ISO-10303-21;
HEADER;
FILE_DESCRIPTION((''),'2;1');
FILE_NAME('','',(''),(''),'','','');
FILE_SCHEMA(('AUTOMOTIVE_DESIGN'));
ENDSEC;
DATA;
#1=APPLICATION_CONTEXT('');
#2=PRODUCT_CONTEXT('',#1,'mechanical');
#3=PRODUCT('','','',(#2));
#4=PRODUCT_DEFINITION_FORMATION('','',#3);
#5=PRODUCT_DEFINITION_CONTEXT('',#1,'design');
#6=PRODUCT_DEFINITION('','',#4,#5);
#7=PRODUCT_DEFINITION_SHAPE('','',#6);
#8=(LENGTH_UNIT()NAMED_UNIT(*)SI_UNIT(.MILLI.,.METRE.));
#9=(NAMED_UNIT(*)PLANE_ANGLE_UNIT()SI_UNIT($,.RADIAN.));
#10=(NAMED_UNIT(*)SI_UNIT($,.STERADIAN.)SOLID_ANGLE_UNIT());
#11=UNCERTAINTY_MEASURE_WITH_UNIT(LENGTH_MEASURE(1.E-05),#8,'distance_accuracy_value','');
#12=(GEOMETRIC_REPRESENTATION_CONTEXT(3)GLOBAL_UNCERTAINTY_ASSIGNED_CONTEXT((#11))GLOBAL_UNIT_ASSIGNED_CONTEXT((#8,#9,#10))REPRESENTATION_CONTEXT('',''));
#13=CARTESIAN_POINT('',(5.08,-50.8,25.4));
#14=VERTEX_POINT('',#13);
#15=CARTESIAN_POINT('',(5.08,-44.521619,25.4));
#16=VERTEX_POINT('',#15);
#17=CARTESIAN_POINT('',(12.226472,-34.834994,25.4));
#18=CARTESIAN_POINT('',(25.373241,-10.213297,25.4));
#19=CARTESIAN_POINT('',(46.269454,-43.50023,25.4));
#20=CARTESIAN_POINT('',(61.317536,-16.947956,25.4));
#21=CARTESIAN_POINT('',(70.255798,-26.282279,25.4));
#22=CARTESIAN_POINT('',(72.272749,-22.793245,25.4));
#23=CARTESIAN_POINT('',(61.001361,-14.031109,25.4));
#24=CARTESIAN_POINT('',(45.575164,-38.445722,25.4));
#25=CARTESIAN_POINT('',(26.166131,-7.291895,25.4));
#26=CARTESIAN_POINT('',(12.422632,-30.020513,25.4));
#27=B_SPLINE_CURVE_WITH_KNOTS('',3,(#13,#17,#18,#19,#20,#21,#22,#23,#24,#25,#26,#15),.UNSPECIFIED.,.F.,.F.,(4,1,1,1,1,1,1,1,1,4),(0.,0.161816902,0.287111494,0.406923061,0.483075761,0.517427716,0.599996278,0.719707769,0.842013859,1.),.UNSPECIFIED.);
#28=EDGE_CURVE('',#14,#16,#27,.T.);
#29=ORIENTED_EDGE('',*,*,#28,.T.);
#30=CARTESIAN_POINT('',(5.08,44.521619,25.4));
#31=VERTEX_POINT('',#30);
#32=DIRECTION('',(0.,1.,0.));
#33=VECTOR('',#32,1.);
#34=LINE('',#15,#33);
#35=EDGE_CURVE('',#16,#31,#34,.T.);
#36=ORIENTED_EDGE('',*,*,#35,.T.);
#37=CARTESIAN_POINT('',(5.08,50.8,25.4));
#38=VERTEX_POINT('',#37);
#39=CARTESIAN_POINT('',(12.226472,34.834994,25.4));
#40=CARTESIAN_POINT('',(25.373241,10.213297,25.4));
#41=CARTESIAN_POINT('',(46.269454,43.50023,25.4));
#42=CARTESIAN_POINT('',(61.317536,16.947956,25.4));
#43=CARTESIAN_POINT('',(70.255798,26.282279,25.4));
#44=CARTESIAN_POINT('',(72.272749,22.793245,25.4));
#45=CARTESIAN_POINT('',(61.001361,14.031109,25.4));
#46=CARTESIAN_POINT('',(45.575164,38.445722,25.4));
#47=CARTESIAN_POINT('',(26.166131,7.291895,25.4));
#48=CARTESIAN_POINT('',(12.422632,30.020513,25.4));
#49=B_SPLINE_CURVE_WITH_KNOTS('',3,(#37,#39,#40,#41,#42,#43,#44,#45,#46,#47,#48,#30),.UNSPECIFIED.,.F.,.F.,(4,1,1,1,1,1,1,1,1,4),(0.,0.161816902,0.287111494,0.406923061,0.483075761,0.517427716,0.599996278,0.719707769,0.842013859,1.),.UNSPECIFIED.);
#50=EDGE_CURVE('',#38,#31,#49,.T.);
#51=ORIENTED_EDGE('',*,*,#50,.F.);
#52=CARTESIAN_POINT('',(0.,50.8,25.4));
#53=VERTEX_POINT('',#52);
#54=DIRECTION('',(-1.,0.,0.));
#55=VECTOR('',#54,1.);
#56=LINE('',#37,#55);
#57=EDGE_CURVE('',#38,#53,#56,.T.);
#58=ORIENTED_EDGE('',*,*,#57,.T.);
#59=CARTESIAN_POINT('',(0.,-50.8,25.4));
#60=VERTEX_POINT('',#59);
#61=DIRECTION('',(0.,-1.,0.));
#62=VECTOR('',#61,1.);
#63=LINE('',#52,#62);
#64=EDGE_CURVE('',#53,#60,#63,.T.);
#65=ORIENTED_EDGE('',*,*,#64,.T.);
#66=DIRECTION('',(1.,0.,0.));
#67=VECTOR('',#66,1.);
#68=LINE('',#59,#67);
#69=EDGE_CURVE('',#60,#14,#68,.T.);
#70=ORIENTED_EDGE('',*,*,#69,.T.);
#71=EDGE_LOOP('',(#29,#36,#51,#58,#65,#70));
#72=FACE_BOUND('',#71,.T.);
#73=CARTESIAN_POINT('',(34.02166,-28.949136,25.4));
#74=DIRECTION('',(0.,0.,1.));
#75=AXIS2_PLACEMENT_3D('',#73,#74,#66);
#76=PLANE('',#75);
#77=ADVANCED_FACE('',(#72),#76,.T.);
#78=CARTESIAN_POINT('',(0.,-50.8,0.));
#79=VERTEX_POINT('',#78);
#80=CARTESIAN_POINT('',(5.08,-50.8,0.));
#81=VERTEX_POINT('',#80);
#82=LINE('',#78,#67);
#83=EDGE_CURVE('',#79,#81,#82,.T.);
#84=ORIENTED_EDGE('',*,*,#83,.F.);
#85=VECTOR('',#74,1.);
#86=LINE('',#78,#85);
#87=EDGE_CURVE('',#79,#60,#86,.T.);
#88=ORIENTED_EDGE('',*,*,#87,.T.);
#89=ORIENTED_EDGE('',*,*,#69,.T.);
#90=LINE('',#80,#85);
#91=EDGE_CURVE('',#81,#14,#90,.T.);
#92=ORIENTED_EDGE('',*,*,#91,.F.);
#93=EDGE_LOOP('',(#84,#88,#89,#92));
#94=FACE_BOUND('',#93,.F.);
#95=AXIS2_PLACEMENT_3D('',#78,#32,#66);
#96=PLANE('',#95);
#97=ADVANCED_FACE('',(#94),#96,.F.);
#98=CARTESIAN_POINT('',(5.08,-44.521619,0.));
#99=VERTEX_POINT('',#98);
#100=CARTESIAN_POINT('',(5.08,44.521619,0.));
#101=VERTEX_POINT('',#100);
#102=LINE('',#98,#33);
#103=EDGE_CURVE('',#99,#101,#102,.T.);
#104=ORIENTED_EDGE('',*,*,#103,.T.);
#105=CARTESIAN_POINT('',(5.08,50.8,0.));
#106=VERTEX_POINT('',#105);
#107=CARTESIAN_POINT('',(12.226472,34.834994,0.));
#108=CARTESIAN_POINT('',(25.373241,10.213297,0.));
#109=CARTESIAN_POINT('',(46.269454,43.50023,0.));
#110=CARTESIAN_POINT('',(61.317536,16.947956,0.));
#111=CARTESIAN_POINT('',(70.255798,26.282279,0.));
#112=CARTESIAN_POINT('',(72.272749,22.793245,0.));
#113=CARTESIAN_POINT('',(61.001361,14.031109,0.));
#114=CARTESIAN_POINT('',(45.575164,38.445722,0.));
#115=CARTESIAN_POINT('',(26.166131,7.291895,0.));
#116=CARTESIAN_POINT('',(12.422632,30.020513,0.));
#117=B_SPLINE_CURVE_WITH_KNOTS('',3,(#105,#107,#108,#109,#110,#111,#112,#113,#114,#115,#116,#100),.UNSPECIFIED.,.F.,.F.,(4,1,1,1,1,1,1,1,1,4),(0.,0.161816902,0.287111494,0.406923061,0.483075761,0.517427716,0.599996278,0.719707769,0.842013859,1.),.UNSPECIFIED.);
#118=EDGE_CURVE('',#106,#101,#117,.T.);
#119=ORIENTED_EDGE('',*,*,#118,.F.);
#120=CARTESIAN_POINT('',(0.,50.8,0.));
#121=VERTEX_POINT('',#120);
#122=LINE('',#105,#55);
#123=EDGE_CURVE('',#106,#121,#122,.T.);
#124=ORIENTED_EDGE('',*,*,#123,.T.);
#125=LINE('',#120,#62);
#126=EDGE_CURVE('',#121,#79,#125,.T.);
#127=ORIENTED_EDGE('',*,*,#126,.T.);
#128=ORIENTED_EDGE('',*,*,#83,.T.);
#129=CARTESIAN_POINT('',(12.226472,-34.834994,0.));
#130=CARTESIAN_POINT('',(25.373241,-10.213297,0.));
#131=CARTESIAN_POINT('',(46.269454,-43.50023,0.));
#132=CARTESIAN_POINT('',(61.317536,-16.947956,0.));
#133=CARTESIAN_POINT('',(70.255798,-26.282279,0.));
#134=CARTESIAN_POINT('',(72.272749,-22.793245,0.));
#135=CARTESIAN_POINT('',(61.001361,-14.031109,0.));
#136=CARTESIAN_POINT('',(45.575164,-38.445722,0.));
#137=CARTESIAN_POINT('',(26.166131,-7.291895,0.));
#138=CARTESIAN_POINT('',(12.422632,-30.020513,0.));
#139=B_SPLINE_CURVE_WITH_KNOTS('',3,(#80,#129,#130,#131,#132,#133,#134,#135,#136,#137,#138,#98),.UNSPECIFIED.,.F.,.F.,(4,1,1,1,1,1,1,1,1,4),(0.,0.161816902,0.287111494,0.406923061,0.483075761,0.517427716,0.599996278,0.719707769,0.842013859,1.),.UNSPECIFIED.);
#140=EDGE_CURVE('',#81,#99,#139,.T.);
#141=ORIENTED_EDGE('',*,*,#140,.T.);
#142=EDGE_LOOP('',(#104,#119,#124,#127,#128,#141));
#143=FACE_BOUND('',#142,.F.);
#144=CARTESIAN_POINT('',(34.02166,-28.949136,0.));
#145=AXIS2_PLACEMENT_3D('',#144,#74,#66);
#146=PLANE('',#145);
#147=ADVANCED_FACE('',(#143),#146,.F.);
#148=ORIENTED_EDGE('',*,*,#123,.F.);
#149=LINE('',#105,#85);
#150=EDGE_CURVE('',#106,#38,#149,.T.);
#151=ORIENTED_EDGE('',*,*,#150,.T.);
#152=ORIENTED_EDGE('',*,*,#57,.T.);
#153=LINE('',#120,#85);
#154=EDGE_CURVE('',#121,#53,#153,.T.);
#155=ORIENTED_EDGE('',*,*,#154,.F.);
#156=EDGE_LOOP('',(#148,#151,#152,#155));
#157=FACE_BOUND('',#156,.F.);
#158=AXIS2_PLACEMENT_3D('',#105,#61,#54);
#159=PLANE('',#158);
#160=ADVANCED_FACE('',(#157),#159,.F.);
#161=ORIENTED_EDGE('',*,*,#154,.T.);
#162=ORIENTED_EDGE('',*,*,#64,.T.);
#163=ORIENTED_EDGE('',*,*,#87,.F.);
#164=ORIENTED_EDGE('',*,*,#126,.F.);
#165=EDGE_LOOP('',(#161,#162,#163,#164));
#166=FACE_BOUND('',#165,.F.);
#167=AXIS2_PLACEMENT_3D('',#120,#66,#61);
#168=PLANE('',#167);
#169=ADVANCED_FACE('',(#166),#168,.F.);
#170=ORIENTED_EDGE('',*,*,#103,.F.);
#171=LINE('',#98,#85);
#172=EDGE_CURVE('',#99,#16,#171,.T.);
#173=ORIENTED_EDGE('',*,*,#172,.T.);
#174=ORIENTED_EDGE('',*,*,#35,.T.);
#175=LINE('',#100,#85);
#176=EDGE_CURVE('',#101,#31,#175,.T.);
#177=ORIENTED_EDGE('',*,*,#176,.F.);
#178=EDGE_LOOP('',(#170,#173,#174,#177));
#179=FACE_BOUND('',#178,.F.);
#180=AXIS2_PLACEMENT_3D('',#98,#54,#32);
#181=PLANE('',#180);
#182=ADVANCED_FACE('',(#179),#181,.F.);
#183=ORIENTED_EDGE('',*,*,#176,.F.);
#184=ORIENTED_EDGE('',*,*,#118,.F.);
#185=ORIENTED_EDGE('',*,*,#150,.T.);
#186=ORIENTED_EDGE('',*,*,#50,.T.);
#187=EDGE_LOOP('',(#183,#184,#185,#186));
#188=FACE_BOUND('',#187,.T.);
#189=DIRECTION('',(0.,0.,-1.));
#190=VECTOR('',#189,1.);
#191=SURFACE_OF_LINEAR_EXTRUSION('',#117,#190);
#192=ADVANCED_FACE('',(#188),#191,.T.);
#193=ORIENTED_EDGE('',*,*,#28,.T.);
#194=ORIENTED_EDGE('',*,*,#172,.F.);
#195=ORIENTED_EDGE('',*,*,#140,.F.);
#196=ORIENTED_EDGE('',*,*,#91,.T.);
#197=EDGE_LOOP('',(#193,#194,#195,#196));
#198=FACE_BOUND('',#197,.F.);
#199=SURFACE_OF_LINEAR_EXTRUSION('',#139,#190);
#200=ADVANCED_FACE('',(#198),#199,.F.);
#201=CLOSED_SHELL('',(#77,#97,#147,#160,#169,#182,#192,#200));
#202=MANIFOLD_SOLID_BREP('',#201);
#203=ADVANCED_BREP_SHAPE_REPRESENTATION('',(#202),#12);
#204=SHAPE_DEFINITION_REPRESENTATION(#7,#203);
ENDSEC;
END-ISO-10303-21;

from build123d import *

# Parameters (mm, degrees)
F1_DEPTH = 25.4


with BuildPart() as f1:
    # F0 (on Top) → F1 (new body)
    with BuildSketch(Plane.XY):
        with BuildLine():
            add(Edge.make_bspline(
                [(5.08, -50.8), (12.2264718384, -34.8349938873), (25.3732412121, -10.2132971164), (46.2694535303, -43.5002302212), (61.3175357925, -16.9479559879), (70.2557975666, -26.2822789292), (72.272748726, -22.7932449942), (61.0013612314, -14.0311089028), (45.5751638712, -38.445721593), (26.1661312025, -7.2918949569), (12.422631589, -30.0205133664), (5.08, -44.5216186345)],
                knots=[0, 0, 0, 0, 0.1618169024, 0.2871114941, 0.4069230606, 0.4830757612, 0.5174277161, 0.5999962781, 0.719707769, 0.8420138588, 1, 1, 1, 1], degree=3))
            Line((5.08, -44.5216186345), (5.08, -50.8))
        make_face()
        Polygon((5.08, 0), (0, 0), (0, -50.8), (5.08, -50.8), (5.08, -44.5216186345), align=None)
        Polygon((0, 50.8), (0, 0), (5.08, 0), (5.08, 44.5216186345), (5.08, 50.8), align=None)
        with BuildLine():
            add(Edge.make_bspline(
                [(5.08, 50.8), (12.2264718384, 34.8349938873), (25.3732412121, 10.2132971164), (46.2694535303, 43.5002302212), (61.3175357925, 16.9479559879), (70.2557975666, 26.2822789292), (72.272748726, 22.7932449942), (61.0013612314, 14.0311089028), (45.5751638712, 38.445721593), (26.1661312025, 7.2918949569), (12.422631589, 30.0205133664), (5.08, 44.5216186345)],
                knots=[0, 0, 0, 0, 0.1618169024, 0.2871114941, 0.4069230606, 0.4830757612, 0.5174277161, 0.5999962781, 0.719707769, 0.8420138588, 1, 1, 1, 1], degree=3))
            Line((5.08, 50.8), (5.08, 44.5216186345))
        make_face()
    extrude(amount=F1_DEPTH)


solid = f1.part
